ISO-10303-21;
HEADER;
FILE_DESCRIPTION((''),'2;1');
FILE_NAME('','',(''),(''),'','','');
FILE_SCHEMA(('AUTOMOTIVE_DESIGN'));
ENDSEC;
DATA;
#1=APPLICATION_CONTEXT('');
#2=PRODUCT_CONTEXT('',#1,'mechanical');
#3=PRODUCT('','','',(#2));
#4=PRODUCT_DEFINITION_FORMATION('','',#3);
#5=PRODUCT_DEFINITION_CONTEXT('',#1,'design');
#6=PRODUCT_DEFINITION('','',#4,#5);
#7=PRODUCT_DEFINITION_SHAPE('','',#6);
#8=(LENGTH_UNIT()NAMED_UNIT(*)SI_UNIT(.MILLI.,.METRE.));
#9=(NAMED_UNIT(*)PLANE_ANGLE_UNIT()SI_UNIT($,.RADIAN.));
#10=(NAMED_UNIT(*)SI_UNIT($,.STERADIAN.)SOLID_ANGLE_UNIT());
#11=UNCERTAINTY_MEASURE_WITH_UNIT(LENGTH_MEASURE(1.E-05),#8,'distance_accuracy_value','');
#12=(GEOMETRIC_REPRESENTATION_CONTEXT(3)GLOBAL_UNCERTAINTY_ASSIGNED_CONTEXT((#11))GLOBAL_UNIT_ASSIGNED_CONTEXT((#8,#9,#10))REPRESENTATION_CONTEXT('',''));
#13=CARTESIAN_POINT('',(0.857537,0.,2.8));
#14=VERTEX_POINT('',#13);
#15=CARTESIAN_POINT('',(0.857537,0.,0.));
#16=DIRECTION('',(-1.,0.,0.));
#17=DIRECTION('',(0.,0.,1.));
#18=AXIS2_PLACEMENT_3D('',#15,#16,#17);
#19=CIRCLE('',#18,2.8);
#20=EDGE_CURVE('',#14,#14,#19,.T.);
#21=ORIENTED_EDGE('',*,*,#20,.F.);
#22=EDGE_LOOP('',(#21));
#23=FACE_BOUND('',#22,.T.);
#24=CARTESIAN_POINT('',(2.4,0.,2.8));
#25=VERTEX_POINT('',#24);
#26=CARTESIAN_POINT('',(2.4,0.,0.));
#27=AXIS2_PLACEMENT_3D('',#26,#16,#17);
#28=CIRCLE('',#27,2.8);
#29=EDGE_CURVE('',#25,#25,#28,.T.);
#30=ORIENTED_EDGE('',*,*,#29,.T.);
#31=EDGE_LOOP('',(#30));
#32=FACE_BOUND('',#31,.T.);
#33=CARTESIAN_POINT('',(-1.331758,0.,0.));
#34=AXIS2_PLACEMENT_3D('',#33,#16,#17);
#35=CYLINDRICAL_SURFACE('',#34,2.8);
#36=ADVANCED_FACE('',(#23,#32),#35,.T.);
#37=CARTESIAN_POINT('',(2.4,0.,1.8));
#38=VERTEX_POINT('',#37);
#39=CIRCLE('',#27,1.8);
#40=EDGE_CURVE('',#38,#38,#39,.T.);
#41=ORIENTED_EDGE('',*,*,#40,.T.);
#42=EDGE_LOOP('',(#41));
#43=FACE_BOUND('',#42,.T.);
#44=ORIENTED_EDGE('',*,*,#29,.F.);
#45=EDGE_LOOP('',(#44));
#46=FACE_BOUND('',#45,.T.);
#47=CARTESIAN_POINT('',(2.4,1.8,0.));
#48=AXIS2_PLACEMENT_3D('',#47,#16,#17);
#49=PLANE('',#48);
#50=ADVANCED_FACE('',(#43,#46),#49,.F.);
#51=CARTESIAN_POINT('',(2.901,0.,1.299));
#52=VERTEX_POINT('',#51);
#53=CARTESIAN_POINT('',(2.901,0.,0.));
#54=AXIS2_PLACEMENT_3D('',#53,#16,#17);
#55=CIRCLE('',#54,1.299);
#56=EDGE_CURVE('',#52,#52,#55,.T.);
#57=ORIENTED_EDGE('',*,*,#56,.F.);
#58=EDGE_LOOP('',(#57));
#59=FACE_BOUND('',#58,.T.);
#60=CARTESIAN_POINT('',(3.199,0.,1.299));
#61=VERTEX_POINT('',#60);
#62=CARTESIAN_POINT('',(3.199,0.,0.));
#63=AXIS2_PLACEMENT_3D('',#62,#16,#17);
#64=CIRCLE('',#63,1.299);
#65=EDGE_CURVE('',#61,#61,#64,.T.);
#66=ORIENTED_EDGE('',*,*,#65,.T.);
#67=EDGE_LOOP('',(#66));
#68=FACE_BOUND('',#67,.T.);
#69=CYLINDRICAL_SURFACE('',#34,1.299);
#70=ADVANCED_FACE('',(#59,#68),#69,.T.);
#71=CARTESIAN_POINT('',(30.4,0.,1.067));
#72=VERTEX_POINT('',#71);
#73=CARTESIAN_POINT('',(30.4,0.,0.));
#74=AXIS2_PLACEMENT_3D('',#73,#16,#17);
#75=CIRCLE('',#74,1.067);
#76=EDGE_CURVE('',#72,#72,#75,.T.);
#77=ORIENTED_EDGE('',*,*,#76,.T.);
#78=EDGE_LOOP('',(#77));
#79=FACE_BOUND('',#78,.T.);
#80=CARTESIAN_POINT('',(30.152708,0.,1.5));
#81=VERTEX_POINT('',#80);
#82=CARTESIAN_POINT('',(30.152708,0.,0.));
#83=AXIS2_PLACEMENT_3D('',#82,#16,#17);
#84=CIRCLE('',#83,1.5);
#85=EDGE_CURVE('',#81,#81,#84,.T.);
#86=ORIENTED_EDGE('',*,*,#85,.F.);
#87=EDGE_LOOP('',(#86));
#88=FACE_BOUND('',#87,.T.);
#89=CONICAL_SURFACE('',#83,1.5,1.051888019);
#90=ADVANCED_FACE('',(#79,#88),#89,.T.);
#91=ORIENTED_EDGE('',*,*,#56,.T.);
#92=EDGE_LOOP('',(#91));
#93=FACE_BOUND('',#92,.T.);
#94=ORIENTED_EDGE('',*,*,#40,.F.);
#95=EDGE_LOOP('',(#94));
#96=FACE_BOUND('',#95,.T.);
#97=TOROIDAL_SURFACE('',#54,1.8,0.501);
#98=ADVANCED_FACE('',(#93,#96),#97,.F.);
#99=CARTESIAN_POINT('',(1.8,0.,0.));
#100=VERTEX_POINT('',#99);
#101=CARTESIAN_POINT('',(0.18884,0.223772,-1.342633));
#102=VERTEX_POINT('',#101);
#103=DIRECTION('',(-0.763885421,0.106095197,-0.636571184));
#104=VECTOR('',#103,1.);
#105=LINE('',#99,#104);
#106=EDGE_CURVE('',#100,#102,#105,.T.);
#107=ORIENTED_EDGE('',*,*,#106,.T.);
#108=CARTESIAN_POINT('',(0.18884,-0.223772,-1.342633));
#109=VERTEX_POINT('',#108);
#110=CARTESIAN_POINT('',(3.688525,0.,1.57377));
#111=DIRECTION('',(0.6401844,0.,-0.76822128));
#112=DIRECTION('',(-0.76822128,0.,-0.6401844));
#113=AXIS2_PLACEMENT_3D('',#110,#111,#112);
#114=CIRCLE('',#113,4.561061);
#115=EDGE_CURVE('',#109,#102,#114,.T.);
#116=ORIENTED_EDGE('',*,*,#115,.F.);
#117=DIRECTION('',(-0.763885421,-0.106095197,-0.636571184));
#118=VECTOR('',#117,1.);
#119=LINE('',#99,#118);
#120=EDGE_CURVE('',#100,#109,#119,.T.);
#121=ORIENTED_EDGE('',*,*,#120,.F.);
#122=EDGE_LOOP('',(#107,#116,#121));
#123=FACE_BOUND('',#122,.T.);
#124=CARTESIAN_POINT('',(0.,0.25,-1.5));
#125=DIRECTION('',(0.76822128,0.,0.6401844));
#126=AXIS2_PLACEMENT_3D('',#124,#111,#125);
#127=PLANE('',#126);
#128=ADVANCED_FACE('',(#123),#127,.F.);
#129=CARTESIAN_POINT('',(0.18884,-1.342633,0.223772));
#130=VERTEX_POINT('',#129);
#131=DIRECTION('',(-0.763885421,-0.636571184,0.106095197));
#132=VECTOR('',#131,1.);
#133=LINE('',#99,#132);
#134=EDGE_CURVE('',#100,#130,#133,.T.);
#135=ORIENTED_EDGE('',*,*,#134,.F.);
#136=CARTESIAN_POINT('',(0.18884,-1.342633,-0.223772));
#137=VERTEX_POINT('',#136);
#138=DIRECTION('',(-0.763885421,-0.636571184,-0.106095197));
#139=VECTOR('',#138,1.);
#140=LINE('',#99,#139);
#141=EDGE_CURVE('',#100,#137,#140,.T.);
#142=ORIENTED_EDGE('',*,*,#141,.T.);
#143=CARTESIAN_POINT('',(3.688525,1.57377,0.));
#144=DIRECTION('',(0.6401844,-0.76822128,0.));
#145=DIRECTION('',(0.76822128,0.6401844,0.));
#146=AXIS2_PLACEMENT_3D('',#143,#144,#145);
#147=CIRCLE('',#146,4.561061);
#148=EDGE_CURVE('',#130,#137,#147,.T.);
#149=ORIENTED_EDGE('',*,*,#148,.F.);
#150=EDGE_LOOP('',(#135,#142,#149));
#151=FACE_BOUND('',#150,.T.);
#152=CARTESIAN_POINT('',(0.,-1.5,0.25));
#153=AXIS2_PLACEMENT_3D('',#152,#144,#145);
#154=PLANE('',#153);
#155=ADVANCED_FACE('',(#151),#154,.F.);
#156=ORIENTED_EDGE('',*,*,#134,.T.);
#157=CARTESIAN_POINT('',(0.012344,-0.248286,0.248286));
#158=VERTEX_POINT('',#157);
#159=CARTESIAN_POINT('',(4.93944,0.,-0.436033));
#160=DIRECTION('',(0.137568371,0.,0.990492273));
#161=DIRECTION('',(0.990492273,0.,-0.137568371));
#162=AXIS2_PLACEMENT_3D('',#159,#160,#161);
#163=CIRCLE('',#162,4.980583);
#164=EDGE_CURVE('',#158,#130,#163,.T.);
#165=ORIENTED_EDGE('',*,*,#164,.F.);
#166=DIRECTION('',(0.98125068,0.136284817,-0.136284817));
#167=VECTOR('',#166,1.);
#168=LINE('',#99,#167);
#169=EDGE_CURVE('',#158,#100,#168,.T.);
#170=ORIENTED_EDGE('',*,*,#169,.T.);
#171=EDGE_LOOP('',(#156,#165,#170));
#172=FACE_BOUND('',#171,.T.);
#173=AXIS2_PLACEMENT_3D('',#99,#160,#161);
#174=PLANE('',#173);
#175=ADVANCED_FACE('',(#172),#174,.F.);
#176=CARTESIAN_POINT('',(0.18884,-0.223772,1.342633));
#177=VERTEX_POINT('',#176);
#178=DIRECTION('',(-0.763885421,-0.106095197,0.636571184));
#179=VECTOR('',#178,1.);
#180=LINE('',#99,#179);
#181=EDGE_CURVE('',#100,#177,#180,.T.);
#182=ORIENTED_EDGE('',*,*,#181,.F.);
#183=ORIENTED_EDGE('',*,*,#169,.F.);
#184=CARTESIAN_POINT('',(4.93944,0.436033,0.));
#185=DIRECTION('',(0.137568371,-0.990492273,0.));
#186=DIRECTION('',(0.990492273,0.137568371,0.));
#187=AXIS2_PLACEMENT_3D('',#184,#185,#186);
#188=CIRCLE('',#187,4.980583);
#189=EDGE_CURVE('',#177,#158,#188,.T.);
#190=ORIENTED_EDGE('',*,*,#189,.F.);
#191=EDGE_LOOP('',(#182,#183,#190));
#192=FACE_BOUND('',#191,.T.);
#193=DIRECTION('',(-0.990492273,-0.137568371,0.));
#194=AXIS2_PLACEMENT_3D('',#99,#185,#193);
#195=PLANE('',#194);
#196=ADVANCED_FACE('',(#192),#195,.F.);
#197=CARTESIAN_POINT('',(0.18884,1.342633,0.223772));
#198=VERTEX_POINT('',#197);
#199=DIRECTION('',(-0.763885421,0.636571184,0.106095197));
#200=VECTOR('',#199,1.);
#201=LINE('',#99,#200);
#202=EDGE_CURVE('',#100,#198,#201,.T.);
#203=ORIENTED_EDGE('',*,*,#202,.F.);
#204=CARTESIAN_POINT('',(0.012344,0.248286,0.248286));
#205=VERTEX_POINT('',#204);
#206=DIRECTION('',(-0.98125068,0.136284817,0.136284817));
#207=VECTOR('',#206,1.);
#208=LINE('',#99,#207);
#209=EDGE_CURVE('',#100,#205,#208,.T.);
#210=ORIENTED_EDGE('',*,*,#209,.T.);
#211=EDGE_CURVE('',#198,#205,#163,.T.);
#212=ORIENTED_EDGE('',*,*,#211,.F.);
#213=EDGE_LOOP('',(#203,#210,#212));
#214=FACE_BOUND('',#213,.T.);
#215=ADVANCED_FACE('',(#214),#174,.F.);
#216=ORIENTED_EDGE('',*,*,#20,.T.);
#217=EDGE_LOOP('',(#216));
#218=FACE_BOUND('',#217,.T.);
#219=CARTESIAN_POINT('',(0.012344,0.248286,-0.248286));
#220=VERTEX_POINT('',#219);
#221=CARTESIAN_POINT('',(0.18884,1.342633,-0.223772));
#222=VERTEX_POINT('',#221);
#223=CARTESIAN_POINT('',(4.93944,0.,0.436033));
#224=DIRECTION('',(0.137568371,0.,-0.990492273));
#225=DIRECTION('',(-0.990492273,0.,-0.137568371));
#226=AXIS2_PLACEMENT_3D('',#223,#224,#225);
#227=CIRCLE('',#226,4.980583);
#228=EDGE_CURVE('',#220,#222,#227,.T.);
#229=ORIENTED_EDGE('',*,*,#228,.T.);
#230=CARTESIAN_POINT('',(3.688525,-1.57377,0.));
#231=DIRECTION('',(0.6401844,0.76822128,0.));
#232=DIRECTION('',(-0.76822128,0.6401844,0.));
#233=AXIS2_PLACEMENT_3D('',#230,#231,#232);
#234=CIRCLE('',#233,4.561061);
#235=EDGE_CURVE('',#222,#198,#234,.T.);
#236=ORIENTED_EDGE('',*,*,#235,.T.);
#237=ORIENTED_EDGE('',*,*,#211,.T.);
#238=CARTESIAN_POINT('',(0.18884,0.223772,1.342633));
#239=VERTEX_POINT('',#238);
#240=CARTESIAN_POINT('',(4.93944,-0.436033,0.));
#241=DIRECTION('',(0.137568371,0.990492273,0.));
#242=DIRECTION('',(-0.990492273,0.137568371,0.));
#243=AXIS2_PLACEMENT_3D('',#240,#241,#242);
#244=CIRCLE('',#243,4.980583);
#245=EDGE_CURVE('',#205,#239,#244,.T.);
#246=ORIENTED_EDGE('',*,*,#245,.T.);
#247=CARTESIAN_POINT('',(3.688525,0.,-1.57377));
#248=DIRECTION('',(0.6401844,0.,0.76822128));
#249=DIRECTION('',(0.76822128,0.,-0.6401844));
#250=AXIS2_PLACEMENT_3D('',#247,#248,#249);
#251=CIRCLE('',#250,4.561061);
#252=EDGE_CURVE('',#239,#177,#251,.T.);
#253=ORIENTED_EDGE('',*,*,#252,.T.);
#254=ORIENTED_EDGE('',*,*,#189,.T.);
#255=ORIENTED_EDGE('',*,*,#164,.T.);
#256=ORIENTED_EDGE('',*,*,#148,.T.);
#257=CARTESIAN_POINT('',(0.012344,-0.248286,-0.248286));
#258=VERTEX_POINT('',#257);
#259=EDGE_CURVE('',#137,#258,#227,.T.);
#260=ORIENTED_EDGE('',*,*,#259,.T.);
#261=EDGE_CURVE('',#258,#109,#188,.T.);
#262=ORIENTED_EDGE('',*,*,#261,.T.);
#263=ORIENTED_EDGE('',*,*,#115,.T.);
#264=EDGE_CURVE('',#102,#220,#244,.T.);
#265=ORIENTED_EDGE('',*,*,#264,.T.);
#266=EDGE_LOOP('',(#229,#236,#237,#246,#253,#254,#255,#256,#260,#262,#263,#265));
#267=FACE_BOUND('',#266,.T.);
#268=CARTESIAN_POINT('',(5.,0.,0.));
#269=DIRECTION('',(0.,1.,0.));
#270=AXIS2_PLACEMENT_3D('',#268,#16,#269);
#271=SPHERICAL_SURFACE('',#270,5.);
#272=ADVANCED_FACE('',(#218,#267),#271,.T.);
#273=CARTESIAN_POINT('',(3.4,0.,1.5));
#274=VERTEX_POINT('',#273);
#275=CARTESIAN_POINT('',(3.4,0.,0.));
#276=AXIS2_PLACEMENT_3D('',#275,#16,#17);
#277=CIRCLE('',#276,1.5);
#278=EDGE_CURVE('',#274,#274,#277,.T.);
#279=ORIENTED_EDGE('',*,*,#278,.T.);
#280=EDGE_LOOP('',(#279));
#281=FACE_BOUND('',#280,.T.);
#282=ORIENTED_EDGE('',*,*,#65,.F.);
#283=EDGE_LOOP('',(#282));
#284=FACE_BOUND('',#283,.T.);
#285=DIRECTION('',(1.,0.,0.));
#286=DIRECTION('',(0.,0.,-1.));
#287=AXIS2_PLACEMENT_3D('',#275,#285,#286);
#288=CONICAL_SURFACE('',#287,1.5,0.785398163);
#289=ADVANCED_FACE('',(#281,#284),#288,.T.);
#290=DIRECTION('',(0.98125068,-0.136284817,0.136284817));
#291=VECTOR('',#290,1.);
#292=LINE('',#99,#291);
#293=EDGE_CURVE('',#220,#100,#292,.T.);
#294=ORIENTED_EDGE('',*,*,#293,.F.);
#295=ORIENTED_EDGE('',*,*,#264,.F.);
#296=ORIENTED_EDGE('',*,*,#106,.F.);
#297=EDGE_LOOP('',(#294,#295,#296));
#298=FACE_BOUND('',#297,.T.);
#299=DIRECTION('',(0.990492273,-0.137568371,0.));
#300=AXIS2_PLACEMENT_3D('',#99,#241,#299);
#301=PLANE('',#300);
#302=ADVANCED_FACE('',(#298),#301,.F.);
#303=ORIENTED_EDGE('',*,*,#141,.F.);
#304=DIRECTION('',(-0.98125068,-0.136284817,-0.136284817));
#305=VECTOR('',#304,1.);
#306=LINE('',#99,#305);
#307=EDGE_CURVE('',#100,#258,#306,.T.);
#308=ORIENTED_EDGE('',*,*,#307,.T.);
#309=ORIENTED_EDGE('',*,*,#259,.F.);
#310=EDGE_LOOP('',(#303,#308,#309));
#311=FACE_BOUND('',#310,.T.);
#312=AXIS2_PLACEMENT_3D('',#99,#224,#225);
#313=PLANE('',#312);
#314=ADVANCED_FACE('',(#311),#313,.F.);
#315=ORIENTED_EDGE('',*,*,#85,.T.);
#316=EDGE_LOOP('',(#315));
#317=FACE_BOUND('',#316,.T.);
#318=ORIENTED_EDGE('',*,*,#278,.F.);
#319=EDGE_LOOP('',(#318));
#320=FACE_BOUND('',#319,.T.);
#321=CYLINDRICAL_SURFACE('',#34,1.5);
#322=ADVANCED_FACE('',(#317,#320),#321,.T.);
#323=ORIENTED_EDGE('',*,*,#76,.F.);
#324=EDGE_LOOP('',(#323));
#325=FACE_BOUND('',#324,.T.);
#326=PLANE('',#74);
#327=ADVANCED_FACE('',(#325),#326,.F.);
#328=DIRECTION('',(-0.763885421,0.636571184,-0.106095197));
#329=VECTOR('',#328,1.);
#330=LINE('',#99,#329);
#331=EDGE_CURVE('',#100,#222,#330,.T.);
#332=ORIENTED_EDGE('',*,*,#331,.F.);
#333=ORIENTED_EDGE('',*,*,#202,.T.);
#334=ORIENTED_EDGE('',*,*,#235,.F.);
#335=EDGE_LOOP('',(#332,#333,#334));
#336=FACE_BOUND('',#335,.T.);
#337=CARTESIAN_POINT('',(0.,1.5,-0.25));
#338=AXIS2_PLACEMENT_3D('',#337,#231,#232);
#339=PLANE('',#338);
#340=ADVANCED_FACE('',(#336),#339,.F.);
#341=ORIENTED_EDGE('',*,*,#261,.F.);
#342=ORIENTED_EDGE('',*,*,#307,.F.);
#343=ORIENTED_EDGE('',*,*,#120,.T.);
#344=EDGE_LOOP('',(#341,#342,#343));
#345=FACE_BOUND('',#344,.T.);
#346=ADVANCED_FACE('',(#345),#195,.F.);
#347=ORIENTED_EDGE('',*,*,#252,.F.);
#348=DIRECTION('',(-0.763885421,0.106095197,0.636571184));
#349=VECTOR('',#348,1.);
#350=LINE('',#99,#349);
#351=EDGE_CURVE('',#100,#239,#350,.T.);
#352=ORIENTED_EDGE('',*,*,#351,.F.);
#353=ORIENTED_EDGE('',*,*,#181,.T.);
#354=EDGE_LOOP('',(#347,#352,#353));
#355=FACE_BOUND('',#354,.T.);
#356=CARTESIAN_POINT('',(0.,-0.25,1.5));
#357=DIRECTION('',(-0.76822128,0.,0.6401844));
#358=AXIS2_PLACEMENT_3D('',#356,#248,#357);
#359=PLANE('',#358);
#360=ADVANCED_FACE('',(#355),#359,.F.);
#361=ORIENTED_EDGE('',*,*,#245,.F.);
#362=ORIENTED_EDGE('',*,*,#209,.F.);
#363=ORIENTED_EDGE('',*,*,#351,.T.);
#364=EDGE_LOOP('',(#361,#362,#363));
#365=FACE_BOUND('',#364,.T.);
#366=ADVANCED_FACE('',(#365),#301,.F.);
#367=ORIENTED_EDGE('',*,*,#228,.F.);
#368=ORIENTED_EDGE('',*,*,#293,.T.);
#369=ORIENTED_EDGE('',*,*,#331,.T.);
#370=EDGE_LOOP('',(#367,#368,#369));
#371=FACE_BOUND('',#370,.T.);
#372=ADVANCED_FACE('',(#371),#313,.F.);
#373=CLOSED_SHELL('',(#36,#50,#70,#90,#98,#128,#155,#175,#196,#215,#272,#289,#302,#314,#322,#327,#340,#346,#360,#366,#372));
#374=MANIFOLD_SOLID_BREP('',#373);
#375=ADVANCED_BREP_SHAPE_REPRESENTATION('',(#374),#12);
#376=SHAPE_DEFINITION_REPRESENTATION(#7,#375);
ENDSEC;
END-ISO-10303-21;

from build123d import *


with BuildPart() as part:
    # 草图2 → Revolve 816 (revolve)
    with BuildSketch(Plane.XY, mode=Mode.PRIVATE) as revolve_816_sk:
        with BuildLine():
            Line((0, 0), (30.4, 0))
            Line((30.4, 0), (30.4, 1.5))
            Line((30.4, 1.5), (3.4, 1.5))
            Line((3.4, 1.5), (3.199, 1.299))
            Line((3.199, 1.299), (2.901, 1.299))
            ThreePointArc((2.901, 1.299), (2.546739503, 1.445739503), (2.4, 1.8))
            Line((2.4, 1.8), (2.4, 2.8))
            Line((2.4, 2.8), (0.857536965, 2.8))
            ThreePointArc((0.857536965, 2.8), (0.219188606, 1.464186604), (0, 0))
        make_face()
    revolve(revolve_816_sk.sketch.rotate(Axis((-1.331757704, 0, 0), (1, 0, 0)), 90), axis=Axis((-1.331757704, 0, 0), (1, 0, 0)))

    # 草图3 → 切除-旋转1 (revolve, cut)
    with BuildSketch(Plane.XY, mode=Mode.PRIVATE) as cut_revolve_1_sk:
        Polygon((30.152708003, 1.5), (30.652708003, 1.5), (30.4, 1.067), align=None)
    revolve(cut_revolve_1_sk.sketch.rotate(Axis((-0.242766179, 0, 0), (1, 0, 0)), 90), axis=Axis((-0.242766179, 0, 0), (1, 0, 0)), mode=Mode.SUBTRACT)

    # 草图5 → 切除-放样1 section 0
    with BuildSketch(Plane(origin=(0, 0, 0), x_dir=(0, 0, -1), z_dir=(1, 0, 0)), mode=Mode.PRIVATE) as loft_1_s0:
        with BuildLine():
            Line((0.25, 1.5), (-0.25, 1.5))
            Line((-0.25, 1.5), (-0.25, -1.5))
            Line((-0.25, -1.5), (0.25, -1.5))
            Line((0.25, -1.5), (0.25, 1.5))
        make_face()
    loft_1 = loft([Vertex(1.8, 0, 0), loft_1_s0.sketch], mode=Mode.SUBTRACT)

    # 镜向1: 切除-放样1 across plane
    add(loft_1.mirror(Plane(origin=(0, 0, 0), x_dir=(0, 0.7071067811865462, 0.7071067811865488), z_dir=(0, -0.7071067811865488, 0.7071067811865462))), mode=Mode.SUBTRACT)


solid = part.part
